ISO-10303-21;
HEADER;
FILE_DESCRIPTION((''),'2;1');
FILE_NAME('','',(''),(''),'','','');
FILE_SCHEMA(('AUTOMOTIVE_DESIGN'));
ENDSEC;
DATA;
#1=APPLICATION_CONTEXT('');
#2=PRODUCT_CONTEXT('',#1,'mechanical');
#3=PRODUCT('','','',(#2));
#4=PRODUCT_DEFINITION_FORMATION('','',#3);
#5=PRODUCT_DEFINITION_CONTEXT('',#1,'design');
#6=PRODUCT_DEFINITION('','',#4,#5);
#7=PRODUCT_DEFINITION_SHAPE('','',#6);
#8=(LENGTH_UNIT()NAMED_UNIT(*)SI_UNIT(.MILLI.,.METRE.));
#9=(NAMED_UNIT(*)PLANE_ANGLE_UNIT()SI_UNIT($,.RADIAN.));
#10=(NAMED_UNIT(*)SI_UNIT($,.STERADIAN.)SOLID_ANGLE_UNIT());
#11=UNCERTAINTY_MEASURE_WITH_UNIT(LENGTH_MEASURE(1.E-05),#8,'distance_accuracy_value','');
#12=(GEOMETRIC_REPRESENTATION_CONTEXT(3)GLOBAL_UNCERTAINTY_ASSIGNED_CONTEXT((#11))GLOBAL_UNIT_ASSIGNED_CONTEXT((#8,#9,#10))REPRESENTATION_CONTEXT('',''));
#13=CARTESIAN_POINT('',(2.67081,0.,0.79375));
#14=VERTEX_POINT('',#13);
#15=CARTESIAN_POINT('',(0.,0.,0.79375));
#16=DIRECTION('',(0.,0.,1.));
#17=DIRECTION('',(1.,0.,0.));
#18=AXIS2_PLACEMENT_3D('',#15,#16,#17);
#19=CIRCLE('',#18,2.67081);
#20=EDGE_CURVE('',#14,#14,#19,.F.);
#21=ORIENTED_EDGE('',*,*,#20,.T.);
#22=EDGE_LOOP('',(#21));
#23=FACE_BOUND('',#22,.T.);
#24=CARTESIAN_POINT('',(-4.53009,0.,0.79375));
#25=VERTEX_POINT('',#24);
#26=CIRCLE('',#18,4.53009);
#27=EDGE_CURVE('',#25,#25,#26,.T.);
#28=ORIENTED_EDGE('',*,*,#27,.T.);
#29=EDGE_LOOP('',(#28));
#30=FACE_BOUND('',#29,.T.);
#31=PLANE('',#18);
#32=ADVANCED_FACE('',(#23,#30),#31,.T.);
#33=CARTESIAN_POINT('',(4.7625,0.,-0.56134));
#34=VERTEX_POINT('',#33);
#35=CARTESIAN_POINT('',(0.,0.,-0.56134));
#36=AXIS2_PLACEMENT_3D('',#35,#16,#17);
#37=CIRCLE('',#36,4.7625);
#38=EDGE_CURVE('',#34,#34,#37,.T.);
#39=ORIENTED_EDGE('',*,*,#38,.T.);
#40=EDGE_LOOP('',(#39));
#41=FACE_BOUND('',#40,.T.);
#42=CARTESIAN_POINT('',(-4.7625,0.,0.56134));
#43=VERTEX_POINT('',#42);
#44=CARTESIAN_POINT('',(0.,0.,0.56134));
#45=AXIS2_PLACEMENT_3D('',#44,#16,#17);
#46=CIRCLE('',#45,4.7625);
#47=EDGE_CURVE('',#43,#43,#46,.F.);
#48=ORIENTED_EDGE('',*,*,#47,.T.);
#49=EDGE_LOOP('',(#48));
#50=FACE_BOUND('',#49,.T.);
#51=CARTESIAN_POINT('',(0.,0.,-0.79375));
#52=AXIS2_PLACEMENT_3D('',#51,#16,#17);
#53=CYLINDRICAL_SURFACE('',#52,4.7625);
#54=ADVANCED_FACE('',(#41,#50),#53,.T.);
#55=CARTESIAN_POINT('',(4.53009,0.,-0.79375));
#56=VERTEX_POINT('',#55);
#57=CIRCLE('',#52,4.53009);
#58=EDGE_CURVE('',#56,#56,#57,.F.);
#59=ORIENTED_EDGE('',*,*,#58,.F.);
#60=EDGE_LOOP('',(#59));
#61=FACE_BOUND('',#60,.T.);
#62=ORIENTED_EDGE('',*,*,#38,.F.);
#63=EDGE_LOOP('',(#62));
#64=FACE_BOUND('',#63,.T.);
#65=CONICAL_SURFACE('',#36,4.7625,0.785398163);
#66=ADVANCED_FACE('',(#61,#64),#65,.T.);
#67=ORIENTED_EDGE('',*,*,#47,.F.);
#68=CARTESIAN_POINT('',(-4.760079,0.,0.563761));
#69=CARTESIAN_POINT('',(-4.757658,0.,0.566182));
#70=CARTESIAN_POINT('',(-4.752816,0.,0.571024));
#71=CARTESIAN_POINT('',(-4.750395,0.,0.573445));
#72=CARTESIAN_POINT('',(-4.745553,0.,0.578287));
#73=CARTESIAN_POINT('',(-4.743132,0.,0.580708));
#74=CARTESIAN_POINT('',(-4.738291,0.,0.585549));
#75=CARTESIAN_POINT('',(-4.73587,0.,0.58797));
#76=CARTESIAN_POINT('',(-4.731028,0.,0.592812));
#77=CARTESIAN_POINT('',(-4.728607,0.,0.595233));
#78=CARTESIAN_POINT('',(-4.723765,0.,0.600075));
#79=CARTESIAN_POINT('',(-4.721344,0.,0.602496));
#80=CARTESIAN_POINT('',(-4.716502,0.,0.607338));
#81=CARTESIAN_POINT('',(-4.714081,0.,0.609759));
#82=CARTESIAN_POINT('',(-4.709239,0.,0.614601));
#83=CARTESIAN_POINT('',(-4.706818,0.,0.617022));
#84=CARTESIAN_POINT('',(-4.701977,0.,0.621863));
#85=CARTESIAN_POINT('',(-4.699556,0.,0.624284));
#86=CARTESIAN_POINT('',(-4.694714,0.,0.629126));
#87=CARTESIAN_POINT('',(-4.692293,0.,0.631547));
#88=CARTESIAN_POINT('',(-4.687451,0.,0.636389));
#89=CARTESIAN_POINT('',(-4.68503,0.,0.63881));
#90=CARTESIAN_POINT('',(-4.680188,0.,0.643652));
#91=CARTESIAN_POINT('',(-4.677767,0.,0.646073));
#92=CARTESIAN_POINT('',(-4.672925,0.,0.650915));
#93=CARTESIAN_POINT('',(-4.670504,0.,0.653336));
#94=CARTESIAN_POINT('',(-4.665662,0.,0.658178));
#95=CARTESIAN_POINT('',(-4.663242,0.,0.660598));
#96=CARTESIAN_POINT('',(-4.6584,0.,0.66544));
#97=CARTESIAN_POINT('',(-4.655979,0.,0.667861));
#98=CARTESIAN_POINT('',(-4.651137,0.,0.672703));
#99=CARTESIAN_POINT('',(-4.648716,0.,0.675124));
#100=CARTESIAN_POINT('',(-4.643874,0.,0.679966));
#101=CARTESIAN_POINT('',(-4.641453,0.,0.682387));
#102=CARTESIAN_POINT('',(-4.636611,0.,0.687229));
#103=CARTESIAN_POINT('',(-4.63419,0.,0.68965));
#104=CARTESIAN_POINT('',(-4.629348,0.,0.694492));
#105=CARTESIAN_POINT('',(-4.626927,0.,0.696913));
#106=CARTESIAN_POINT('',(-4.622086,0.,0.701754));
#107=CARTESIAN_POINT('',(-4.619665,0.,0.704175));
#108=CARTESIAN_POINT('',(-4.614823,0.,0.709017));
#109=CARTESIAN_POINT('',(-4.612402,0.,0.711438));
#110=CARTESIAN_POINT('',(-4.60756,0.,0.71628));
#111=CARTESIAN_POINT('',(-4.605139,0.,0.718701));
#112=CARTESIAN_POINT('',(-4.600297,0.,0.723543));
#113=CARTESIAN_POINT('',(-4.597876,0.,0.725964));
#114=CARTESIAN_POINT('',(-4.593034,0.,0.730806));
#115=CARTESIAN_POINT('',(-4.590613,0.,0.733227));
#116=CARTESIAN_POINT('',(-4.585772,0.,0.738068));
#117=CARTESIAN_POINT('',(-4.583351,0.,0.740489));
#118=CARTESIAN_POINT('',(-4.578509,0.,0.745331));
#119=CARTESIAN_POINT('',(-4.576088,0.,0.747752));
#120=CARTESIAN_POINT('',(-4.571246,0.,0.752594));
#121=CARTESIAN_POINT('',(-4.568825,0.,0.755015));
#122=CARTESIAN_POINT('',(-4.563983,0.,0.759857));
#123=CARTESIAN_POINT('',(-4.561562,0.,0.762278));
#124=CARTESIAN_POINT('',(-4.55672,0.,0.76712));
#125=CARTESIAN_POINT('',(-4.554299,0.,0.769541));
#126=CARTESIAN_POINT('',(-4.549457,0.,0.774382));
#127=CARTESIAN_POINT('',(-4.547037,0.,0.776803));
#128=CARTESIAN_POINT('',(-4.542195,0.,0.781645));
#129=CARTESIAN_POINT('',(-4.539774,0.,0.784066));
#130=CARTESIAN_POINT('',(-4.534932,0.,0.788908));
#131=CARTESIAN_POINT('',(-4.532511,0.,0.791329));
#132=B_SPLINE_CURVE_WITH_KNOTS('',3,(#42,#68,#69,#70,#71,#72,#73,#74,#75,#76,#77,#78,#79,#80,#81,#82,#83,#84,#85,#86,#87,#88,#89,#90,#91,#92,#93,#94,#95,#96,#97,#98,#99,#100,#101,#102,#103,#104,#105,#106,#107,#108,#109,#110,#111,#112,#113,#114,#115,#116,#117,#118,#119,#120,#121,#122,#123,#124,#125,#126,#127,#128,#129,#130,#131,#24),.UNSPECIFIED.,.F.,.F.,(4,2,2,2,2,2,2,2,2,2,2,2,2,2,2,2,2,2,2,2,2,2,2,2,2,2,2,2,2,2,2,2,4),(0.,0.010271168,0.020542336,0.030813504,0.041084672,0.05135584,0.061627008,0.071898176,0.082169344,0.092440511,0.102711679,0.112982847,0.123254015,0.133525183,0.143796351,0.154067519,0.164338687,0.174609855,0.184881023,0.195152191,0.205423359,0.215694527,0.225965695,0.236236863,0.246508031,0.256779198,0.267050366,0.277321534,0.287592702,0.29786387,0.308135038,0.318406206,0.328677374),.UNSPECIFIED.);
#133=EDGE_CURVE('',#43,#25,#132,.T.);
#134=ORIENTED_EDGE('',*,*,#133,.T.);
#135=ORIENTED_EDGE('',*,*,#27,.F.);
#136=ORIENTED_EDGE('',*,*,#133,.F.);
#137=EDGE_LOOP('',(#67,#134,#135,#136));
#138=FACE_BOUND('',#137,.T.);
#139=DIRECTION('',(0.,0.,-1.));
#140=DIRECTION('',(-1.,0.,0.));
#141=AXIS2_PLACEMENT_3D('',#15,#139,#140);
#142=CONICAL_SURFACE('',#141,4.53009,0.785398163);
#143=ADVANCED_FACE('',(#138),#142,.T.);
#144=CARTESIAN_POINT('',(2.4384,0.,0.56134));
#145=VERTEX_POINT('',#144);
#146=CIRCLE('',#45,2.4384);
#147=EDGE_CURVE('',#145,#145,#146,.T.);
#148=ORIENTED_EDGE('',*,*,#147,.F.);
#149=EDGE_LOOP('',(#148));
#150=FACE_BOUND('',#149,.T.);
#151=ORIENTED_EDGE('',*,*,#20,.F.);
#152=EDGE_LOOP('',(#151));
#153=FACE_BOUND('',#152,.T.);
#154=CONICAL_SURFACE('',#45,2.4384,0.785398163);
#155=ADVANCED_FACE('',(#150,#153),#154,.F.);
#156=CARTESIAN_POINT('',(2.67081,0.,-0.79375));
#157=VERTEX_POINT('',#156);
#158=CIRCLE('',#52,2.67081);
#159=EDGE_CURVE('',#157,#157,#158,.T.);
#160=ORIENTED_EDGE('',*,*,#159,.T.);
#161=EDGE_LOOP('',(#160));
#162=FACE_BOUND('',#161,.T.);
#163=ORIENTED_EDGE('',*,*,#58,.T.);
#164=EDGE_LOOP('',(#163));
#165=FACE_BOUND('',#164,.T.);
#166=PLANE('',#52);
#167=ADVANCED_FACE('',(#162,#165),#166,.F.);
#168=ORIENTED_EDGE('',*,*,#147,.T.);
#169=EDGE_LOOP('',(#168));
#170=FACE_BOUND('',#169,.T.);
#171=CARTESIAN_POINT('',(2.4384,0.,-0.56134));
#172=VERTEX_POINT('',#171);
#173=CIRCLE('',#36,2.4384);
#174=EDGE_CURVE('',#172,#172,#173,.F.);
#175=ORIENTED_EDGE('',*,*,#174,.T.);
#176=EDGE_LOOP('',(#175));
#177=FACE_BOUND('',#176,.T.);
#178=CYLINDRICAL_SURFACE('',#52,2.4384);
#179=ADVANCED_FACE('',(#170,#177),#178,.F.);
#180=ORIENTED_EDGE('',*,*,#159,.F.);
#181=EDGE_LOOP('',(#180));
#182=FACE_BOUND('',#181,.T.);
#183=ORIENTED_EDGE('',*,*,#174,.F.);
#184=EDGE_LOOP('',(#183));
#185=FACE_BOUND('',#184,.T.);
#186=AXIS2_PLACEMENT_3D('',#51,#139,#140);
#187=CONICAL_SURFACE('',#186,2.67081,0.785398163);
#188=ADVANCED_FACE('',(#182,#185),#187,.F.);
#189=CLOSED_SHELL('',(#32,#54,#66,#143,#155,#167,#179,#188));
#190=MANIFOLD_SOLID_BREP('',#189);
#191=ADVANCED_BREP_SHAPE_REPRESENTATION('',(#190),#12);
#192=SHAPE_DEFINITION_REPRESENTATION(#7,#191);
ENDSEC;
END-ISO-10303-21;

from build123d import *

# Parameters (mm, degrees)
BOSS_EXTRUDE1_DEPTH      = 0.79375
BOSS_EXTRUDE1_DEPTH_BACK = 0.79375
SKETCH3_R                = 4.7625
SKETCH3_R_2              = 2.4384
CHAMFER1_SIZE            = 0.23241


with BuildPart() as part:
    # Sketch3 → Boss-Extrude1 (new, two sides: drawn at the far end of the back side and taken through both)
    with BuildSketch(Plane.XY.offset(-BOSS_EXTRUDE1_DEPTH_BACK)):
        Circle(SKETCH3_R)
        Circle(SKETCH3_R_2, mode=Mode.SUBTRACT)
    extrude(amount=BOSS_EXTRUDE1_DEPTH + BOSS_EXTRUDE1_DEPTH_BACK)

    # Chamfer1
    chamfer1_edges = [part.edges().sort_by_distance(p)[0] for p in [
        (-4.7625, 0, -0.79375),
        (-2.4384, 0, -0.79375),
        (-4.7625, 0, 0.79375),
        (-2.4384, 0, 0.79375),
    ]]
    chamfer(chamfer1_edges, length=CHAMFER1_SIZE)


solid = part.part
